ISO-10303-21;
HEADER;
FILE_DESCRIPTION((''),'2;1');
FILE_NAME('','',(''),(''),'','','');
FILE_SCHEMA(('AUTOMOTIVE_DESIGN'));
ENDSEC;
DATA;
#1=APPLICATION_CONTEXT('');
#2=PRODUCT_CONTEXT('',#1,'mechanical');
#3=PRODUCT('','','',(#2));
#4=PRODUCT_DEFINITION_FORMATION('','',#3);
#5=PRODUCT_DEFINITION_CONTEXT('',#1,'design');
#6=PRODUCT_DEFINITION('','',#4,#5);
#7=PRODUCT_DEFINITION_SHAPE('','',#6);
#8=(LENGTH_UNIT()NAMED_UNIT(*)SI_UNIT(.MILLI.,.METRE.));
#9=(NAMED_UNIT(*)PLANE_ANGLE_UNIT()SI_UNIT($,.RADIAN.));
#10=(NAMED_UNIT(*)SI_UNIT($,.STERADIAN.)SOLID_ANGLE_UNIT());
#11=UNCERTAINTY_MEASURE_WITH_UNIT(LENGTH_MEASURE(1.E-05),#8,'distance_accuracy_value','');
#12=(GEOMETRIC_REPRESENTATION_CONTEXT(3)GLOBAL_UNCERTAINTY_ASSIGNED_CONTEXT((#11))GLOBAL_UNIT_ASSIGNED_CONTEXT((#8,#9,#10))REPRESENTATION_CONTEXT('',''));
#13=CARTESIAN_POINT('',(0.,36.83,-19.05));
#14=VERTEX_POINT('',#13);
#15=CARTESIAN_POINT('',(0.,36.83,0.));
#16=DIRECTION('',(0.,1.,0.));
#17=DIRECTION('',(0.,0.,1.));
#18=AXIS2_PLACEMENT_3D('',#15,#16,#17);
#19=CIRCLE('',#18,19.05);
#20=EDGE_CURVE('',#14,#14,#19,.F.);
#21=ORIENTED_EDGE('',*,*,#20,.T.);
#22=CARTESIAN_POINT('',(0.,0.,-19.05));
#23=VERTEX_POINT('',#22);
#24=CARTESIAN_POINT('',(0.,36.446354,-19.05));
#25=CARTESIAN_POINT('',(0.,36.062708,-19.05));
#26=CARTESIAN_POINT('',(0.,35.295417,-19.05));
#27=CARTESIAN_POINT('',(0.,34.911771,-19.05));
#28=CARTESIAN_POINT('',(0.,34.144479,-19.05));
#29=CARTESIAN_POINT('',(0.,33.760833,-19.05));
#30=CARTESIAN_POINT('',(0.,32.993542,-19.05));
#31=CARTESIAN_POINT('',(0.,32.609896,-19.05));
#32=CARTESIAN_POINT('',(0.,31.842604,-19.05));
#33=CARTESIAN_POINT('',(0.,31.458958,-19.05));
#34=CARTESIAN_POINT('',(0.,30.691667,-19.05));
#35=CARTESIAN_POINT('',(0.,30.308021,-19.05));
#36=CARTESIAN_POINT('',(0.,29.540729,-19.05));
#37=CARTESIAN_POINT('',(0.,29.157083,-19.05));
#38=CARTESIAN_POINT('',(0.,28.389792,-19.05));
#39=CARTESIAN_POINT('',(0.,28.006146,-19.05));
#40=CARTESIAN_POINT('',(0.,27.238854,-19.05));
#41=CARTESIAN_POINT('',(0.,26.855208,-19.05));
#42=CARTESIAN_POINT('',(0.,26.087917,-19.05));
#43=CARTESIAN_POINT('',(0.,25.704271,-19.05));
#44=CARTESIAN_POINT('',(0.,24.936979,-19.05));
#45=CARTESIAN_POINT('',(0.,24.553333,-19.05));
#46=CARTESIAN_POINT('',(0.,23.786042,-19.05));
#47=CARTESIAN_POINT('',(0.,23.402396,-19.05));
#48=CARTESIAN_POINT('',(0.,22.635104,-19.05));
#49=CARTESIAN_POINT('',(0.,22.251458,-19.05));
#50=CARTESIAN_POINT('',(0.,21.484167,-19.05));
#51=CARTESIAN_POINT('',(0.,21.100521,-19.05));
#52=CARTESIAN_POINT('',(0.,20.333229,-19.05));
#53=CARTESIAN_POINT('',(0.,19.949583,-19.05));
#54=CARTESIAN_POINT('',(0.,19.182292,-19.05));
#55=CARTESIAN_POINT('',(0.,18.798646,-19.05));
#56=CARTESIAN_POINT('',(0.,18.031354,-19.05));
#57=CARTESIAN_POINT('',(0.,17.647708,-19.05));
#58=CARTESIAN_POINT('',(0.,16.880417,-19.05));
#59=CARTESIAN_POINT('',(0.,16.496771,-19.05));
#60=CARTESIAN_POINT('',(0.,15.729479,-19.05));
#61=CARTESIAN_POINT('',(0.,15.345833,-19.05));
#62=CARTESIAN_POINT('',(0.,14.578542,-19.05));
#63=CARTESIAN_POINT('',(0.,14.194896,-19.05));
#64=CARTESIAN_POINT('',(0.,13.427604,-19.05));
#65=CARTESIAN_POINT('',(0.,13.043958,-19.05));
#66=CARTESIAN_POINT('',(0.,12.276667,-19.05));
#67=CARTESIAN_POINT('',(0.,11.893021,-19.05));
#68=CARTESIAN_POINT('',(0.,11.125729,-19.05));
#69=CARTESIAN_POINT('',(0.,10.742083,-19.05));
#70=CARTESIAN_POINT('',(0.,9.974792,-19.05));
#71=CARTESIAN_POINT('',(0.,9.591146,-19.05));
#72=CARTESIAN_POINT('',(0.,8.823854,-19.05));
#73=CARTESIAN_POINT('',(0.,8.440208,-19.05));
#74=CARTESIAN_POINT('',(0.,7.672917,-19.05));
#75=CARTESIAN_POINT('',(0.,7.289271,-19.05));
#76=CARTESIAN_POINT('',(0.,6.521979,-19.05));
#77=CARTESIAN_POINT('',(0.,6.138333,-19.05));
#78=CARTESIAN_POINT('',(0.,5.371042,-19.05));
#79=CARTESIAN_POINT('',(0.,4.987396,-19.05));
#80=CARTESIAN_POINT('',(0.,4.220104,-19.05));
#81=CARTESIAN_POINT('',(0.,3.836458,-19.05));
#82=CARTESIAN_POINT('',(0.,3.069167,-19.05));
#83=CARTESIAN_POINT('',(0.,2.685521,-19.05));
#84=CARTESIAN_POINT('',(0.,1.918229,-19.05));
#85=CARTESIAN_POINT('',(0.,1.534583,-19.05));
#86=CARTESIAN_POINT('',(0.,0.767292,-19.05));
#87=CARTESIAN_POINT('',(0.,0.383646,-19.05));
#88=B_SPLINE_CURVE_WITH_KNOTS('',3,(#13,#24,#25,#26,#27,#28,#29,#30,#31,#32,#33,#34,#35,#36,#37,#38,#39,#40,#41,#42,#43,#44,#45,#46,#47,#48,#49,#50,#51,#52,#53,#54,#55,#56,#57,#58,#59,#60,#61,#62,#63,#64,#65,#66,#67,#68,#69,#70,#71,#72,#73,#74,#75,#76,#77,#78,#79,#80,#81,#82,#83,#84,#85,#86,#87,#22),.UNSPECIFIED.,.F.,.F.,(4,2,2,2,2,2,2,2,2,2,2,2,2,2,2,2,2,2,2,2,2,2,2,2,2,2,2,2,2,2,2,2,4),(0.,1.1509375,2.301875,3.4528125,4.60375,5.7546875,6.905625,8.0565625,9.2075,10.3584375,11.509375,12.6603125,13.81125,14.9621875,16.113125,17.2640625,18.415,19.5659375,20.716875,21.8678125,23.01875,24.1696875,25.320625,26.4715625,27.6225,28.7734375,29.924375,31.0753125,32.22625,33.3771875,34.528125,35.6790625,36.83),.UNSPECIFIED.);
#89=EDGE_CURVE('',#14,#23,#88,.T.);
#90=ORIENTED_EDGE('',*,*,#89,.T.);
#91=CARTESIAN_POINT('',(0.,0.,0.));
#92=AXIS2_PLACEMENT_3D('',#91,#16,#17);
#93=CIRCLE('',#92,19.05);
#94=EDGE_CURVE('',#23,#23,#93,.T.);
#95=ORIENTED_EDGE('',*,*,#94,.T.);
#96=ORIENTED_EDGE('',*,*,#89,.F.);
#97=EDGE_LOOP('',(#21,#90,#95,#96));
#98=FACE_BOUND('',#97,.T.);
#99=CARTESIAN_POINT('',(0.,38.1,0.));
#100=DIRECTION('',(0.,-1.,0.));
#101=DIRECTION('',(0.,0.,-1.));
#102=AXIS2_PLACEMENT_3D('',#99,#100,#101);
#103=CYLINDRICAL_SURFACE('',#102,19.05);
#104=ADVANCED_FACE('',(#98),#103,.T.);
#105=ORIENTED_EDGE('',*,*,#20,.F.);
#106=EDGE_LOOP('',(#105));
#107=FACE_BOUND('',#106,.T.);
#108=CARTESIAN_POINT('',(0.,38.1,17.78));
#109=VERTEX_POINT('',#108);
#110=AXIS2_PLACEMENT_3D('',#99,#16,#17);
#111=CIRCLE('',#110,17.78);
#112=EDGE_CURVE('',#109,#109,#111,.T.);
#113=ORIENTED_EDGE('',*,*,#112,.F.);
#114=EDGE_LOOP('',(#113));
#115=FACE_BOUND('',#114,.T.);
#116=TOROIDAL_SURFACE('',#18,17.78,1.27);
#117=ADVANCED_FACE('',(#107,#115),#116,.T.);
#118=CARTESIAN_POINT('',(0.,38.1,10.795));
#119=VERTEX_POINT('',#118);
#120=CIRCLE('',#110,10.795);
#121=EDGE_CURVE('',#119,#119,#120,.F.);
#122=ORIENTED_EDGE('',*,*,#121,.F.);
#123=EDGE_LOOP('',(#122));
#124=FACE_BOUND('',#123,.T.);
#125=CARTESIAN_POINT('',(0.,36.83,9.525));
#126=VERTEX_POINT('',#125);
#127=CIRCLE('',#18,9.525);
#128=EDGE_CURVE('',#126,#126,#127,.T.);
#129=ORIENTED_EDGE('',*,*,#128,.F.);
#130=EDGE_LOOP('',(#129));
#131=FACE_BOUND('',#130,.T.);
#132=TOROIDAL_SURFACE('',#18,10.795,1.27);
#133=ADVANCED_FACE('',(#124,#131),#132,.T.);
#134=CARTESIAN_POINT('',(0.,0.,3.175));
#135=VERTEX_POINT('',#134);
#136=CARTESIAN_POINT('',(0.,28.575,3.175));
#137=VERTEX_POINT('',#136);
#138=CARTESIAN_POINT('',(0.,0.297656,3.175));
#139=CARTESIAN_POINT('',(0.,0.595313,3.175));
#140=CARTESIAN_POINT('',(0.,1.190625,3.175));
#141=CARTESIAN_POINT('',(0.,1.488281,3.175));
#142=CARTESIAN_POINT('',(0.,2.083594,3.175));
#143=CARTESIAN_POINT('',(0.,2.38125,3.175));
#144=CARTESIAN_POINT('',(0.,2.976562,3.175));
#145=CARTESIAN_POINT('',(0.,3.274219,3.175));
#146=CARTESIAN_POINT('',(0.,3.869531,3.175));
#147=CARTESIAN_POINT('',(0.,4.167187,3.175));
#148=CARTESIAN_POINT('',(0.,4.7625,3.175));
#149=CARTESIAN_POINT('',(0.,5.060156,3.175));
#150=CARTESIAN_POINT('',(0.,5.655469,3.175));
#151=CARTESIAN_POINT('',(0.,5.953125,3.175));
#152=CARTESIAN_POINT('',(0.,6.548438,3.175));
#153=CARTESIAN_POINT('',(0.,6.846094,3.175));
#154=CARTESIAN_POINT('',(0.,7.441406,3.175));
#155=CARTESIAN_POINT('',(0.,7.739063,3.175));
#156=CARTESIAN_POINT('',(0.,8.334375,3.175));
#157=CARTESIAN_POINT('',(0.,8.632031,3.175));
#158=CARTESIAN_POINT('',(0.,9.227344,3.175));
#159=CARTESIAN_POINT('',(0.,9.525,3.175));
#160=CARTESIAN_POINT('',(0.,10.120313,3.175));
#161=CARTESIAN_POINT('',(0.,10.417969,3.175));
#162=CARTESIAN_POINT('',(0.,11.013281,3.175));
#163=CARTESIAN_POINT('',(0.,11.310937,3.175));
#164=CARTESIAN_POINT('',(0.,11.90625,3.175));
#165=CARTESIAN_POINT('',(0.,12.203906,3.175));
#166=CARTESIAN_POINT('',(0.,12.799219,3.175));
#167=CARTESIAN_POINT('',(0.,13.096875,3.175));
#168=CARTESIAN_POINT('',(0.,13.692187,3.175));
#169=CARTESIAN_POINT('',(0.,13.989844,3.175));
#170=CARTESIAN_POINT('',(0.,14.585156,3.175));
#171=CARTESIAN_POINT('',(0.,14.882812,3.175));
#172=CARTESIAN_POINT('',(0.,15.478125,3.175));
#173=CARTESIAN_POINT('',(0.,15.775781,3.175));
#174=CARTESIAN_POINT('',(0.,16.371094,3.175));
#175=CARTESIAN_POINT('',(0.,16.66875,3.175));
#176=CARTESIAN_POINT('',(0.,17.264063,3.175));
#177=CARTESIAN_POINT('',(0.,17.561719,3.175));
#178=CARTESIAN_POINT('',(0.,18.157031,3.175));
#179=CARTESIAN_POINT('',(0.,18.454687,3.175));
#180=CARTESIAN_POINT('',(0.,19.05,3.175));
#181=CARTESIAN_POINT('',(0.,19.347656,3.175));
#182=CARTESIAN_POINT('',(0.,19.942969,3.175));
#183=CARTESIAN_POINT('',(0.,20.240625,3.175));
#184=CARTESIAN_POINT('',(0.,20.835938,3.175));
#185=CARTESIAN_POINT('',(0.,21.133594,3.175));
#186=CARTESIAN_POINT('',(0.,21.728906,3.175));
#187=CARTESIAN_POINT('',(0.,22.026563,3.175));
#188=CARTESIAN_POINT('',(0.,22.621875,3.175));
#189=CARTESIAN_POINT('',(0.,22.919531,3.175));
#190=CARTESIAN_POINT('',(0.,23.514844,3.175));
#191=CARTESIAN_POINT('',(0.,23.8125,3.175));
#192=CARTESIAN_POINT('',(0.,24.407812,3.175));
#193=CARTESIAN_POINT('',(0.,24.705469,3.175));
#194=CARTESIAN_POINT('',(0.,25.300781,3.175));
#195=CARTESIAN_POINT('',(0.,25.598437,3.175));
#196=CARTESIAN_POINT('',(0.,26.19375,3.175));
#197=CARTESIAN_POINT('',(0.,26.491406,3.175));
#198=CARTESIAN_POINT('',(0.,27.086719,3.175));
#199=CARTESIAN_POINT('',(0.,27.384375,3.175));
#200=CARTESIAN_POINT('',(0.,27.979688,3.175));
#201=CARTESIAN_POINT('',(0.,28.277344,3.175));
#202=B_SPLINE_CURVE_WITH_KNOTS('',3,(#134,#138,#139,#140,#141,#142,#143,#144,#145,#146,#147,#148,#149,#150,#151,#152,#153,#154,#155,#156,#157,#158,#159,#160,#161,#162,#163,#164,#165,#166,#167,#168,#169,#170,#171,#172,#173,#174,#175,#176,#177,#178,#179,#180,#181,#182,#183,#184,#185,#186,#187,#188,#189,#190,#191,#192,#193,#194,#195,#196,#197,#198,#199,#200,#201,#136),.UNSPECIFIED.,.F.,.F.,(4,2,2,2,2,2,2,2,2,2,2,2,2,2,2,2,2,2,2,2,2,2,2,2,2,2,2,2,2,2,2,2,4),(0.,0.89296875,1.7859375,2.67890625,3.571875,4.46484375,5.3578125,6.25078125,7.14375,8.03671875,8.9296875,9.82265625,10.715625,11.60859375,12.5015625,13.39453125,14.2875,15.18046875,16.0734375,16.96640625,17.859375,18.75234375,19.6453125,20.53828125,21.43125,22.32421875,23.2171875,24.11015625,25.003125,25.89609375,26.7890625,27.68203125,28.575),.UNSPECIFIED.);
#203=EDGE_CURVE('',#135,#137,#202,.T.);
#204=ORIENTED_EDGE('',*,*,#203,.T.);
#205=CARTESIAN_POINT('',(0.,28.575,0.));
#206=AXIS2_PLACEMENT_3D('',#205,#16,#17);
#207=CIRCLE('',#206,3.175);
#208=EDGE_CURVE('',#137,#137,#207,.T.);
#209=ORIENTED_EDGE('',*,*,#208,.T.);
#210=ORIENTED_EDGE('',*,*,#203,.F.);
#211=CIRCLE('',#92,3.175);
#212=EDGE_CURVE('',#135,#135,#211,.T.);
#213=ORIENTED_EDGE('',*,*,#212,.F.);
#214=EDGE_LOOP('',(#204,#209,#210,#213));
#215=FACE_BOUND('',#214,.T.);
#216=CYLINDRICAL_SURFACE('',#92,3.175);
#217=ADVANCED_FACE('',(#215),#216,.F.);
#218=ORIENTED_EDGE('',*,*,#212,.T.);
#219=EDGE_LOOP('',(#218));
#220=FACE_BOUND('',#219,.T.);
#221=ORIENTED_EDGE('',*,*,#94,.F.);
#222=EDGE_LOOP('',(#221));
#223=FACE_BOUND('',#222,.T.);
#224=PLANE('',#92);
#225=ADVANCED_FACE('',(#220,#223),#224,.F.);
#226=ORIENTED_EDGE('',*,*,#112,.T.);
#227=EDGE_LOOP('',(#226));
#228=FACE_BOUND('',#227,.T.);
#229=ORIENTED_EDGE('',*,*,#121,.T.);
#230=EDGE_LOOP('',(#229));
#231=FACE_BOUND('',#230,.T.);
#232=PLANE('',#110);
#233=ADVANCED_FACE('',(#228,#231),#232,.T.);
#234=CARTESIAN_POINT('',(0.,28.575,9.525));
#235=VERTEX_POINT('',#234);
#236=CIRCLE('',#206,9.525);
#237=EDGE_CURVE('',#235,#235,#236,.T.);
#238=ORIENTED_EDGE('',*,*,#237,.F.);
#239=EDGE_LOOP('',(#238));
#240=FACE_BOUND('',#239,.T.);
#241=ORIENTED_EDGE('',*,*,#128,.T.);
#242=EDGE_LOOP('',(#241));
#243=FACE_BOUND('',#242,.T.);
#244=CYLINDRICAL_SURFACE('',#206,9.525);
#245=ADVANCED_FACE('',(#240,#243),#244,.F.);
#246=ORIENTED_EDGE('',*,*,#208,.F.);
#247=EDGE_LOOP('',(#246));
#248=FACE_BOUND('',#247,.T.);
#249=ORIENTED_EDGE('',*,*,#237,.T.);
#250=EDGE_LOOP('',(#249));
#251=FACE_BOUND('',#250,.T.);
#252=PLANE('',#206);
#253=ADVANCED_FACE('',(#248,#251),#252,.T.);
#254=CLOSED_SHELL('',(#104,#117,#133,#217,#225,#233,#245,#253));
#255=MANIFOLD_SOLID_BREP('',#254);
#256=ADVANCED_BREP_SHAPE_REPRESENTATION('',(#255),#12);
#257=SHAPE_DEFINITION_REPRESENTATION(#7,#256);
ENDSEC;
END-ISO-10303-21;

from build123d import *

# Parameters (mm, degrees)
SKETCH1_R           = 19.05
BOSS_EXTRUDE1_DEPTH = 38.1
SKETCH2_R           = 9.525
CUT_EXTRUDE1_DEPTH  = 9.525
SKETCH3_R           = 3.175
CUT_EXTRUDE2_DEPTH  = 40.272581084
FILLET1_R           = 1.27


with BuildPart() as part:
    # Sketch1 → Boss-Extrude1 (new body)
    with BuildSketch(Plane(origin=(0, 0, 0), x_dir=(1, 0, 0), z_dir=(0, 1, 0))):
        with Locations(Location((0, 0, 0), (0, 0, 90))):
            Circle(SKETCH1_R)
    extrude(amount=BOSS_EXTRUDE1_DEPTH)

    # Sketch2 → Cut-Extrude1 (cut)
    with BuildSketch(Plane(origin=(0, 38.1, 0), x_dir=(1, 0, 0), z_dir=(0, 1, 0))):
        with Locations(Location((0, 0, 0), (0, 0, 270))):
            Circle(SKETCH2_R)
    extrude(amount=-CUT_EXTRUDE1_DEPTH, mode=Mode.SUBTRACT)

    # Sketch3 → Cut-Extrude2 (cut, through all)
    with BuildSketch(Plane(origin=(0, 28.575, 0), x_dir=(1, 0, 0), z_dir=(0, 1, 0))):
        with Locations(Location((0, 0, 0), (0, 0, 270))):
            Circle(SKETCH3_R)
    extrude(amount=-CUT_EXTRUDE2_DEPTH, mode=Mode.SUBTRACT)

    # Fillet1
    fillet1_edges = [part.edges().sort_by_distance(p)[0] for p in [
        (0, 38.1, 19.05),
        (0, 38.1, -9.525),
    ]]
    fillet(fillet1_edges, radius=FILLET1_R)


solid = part.part
